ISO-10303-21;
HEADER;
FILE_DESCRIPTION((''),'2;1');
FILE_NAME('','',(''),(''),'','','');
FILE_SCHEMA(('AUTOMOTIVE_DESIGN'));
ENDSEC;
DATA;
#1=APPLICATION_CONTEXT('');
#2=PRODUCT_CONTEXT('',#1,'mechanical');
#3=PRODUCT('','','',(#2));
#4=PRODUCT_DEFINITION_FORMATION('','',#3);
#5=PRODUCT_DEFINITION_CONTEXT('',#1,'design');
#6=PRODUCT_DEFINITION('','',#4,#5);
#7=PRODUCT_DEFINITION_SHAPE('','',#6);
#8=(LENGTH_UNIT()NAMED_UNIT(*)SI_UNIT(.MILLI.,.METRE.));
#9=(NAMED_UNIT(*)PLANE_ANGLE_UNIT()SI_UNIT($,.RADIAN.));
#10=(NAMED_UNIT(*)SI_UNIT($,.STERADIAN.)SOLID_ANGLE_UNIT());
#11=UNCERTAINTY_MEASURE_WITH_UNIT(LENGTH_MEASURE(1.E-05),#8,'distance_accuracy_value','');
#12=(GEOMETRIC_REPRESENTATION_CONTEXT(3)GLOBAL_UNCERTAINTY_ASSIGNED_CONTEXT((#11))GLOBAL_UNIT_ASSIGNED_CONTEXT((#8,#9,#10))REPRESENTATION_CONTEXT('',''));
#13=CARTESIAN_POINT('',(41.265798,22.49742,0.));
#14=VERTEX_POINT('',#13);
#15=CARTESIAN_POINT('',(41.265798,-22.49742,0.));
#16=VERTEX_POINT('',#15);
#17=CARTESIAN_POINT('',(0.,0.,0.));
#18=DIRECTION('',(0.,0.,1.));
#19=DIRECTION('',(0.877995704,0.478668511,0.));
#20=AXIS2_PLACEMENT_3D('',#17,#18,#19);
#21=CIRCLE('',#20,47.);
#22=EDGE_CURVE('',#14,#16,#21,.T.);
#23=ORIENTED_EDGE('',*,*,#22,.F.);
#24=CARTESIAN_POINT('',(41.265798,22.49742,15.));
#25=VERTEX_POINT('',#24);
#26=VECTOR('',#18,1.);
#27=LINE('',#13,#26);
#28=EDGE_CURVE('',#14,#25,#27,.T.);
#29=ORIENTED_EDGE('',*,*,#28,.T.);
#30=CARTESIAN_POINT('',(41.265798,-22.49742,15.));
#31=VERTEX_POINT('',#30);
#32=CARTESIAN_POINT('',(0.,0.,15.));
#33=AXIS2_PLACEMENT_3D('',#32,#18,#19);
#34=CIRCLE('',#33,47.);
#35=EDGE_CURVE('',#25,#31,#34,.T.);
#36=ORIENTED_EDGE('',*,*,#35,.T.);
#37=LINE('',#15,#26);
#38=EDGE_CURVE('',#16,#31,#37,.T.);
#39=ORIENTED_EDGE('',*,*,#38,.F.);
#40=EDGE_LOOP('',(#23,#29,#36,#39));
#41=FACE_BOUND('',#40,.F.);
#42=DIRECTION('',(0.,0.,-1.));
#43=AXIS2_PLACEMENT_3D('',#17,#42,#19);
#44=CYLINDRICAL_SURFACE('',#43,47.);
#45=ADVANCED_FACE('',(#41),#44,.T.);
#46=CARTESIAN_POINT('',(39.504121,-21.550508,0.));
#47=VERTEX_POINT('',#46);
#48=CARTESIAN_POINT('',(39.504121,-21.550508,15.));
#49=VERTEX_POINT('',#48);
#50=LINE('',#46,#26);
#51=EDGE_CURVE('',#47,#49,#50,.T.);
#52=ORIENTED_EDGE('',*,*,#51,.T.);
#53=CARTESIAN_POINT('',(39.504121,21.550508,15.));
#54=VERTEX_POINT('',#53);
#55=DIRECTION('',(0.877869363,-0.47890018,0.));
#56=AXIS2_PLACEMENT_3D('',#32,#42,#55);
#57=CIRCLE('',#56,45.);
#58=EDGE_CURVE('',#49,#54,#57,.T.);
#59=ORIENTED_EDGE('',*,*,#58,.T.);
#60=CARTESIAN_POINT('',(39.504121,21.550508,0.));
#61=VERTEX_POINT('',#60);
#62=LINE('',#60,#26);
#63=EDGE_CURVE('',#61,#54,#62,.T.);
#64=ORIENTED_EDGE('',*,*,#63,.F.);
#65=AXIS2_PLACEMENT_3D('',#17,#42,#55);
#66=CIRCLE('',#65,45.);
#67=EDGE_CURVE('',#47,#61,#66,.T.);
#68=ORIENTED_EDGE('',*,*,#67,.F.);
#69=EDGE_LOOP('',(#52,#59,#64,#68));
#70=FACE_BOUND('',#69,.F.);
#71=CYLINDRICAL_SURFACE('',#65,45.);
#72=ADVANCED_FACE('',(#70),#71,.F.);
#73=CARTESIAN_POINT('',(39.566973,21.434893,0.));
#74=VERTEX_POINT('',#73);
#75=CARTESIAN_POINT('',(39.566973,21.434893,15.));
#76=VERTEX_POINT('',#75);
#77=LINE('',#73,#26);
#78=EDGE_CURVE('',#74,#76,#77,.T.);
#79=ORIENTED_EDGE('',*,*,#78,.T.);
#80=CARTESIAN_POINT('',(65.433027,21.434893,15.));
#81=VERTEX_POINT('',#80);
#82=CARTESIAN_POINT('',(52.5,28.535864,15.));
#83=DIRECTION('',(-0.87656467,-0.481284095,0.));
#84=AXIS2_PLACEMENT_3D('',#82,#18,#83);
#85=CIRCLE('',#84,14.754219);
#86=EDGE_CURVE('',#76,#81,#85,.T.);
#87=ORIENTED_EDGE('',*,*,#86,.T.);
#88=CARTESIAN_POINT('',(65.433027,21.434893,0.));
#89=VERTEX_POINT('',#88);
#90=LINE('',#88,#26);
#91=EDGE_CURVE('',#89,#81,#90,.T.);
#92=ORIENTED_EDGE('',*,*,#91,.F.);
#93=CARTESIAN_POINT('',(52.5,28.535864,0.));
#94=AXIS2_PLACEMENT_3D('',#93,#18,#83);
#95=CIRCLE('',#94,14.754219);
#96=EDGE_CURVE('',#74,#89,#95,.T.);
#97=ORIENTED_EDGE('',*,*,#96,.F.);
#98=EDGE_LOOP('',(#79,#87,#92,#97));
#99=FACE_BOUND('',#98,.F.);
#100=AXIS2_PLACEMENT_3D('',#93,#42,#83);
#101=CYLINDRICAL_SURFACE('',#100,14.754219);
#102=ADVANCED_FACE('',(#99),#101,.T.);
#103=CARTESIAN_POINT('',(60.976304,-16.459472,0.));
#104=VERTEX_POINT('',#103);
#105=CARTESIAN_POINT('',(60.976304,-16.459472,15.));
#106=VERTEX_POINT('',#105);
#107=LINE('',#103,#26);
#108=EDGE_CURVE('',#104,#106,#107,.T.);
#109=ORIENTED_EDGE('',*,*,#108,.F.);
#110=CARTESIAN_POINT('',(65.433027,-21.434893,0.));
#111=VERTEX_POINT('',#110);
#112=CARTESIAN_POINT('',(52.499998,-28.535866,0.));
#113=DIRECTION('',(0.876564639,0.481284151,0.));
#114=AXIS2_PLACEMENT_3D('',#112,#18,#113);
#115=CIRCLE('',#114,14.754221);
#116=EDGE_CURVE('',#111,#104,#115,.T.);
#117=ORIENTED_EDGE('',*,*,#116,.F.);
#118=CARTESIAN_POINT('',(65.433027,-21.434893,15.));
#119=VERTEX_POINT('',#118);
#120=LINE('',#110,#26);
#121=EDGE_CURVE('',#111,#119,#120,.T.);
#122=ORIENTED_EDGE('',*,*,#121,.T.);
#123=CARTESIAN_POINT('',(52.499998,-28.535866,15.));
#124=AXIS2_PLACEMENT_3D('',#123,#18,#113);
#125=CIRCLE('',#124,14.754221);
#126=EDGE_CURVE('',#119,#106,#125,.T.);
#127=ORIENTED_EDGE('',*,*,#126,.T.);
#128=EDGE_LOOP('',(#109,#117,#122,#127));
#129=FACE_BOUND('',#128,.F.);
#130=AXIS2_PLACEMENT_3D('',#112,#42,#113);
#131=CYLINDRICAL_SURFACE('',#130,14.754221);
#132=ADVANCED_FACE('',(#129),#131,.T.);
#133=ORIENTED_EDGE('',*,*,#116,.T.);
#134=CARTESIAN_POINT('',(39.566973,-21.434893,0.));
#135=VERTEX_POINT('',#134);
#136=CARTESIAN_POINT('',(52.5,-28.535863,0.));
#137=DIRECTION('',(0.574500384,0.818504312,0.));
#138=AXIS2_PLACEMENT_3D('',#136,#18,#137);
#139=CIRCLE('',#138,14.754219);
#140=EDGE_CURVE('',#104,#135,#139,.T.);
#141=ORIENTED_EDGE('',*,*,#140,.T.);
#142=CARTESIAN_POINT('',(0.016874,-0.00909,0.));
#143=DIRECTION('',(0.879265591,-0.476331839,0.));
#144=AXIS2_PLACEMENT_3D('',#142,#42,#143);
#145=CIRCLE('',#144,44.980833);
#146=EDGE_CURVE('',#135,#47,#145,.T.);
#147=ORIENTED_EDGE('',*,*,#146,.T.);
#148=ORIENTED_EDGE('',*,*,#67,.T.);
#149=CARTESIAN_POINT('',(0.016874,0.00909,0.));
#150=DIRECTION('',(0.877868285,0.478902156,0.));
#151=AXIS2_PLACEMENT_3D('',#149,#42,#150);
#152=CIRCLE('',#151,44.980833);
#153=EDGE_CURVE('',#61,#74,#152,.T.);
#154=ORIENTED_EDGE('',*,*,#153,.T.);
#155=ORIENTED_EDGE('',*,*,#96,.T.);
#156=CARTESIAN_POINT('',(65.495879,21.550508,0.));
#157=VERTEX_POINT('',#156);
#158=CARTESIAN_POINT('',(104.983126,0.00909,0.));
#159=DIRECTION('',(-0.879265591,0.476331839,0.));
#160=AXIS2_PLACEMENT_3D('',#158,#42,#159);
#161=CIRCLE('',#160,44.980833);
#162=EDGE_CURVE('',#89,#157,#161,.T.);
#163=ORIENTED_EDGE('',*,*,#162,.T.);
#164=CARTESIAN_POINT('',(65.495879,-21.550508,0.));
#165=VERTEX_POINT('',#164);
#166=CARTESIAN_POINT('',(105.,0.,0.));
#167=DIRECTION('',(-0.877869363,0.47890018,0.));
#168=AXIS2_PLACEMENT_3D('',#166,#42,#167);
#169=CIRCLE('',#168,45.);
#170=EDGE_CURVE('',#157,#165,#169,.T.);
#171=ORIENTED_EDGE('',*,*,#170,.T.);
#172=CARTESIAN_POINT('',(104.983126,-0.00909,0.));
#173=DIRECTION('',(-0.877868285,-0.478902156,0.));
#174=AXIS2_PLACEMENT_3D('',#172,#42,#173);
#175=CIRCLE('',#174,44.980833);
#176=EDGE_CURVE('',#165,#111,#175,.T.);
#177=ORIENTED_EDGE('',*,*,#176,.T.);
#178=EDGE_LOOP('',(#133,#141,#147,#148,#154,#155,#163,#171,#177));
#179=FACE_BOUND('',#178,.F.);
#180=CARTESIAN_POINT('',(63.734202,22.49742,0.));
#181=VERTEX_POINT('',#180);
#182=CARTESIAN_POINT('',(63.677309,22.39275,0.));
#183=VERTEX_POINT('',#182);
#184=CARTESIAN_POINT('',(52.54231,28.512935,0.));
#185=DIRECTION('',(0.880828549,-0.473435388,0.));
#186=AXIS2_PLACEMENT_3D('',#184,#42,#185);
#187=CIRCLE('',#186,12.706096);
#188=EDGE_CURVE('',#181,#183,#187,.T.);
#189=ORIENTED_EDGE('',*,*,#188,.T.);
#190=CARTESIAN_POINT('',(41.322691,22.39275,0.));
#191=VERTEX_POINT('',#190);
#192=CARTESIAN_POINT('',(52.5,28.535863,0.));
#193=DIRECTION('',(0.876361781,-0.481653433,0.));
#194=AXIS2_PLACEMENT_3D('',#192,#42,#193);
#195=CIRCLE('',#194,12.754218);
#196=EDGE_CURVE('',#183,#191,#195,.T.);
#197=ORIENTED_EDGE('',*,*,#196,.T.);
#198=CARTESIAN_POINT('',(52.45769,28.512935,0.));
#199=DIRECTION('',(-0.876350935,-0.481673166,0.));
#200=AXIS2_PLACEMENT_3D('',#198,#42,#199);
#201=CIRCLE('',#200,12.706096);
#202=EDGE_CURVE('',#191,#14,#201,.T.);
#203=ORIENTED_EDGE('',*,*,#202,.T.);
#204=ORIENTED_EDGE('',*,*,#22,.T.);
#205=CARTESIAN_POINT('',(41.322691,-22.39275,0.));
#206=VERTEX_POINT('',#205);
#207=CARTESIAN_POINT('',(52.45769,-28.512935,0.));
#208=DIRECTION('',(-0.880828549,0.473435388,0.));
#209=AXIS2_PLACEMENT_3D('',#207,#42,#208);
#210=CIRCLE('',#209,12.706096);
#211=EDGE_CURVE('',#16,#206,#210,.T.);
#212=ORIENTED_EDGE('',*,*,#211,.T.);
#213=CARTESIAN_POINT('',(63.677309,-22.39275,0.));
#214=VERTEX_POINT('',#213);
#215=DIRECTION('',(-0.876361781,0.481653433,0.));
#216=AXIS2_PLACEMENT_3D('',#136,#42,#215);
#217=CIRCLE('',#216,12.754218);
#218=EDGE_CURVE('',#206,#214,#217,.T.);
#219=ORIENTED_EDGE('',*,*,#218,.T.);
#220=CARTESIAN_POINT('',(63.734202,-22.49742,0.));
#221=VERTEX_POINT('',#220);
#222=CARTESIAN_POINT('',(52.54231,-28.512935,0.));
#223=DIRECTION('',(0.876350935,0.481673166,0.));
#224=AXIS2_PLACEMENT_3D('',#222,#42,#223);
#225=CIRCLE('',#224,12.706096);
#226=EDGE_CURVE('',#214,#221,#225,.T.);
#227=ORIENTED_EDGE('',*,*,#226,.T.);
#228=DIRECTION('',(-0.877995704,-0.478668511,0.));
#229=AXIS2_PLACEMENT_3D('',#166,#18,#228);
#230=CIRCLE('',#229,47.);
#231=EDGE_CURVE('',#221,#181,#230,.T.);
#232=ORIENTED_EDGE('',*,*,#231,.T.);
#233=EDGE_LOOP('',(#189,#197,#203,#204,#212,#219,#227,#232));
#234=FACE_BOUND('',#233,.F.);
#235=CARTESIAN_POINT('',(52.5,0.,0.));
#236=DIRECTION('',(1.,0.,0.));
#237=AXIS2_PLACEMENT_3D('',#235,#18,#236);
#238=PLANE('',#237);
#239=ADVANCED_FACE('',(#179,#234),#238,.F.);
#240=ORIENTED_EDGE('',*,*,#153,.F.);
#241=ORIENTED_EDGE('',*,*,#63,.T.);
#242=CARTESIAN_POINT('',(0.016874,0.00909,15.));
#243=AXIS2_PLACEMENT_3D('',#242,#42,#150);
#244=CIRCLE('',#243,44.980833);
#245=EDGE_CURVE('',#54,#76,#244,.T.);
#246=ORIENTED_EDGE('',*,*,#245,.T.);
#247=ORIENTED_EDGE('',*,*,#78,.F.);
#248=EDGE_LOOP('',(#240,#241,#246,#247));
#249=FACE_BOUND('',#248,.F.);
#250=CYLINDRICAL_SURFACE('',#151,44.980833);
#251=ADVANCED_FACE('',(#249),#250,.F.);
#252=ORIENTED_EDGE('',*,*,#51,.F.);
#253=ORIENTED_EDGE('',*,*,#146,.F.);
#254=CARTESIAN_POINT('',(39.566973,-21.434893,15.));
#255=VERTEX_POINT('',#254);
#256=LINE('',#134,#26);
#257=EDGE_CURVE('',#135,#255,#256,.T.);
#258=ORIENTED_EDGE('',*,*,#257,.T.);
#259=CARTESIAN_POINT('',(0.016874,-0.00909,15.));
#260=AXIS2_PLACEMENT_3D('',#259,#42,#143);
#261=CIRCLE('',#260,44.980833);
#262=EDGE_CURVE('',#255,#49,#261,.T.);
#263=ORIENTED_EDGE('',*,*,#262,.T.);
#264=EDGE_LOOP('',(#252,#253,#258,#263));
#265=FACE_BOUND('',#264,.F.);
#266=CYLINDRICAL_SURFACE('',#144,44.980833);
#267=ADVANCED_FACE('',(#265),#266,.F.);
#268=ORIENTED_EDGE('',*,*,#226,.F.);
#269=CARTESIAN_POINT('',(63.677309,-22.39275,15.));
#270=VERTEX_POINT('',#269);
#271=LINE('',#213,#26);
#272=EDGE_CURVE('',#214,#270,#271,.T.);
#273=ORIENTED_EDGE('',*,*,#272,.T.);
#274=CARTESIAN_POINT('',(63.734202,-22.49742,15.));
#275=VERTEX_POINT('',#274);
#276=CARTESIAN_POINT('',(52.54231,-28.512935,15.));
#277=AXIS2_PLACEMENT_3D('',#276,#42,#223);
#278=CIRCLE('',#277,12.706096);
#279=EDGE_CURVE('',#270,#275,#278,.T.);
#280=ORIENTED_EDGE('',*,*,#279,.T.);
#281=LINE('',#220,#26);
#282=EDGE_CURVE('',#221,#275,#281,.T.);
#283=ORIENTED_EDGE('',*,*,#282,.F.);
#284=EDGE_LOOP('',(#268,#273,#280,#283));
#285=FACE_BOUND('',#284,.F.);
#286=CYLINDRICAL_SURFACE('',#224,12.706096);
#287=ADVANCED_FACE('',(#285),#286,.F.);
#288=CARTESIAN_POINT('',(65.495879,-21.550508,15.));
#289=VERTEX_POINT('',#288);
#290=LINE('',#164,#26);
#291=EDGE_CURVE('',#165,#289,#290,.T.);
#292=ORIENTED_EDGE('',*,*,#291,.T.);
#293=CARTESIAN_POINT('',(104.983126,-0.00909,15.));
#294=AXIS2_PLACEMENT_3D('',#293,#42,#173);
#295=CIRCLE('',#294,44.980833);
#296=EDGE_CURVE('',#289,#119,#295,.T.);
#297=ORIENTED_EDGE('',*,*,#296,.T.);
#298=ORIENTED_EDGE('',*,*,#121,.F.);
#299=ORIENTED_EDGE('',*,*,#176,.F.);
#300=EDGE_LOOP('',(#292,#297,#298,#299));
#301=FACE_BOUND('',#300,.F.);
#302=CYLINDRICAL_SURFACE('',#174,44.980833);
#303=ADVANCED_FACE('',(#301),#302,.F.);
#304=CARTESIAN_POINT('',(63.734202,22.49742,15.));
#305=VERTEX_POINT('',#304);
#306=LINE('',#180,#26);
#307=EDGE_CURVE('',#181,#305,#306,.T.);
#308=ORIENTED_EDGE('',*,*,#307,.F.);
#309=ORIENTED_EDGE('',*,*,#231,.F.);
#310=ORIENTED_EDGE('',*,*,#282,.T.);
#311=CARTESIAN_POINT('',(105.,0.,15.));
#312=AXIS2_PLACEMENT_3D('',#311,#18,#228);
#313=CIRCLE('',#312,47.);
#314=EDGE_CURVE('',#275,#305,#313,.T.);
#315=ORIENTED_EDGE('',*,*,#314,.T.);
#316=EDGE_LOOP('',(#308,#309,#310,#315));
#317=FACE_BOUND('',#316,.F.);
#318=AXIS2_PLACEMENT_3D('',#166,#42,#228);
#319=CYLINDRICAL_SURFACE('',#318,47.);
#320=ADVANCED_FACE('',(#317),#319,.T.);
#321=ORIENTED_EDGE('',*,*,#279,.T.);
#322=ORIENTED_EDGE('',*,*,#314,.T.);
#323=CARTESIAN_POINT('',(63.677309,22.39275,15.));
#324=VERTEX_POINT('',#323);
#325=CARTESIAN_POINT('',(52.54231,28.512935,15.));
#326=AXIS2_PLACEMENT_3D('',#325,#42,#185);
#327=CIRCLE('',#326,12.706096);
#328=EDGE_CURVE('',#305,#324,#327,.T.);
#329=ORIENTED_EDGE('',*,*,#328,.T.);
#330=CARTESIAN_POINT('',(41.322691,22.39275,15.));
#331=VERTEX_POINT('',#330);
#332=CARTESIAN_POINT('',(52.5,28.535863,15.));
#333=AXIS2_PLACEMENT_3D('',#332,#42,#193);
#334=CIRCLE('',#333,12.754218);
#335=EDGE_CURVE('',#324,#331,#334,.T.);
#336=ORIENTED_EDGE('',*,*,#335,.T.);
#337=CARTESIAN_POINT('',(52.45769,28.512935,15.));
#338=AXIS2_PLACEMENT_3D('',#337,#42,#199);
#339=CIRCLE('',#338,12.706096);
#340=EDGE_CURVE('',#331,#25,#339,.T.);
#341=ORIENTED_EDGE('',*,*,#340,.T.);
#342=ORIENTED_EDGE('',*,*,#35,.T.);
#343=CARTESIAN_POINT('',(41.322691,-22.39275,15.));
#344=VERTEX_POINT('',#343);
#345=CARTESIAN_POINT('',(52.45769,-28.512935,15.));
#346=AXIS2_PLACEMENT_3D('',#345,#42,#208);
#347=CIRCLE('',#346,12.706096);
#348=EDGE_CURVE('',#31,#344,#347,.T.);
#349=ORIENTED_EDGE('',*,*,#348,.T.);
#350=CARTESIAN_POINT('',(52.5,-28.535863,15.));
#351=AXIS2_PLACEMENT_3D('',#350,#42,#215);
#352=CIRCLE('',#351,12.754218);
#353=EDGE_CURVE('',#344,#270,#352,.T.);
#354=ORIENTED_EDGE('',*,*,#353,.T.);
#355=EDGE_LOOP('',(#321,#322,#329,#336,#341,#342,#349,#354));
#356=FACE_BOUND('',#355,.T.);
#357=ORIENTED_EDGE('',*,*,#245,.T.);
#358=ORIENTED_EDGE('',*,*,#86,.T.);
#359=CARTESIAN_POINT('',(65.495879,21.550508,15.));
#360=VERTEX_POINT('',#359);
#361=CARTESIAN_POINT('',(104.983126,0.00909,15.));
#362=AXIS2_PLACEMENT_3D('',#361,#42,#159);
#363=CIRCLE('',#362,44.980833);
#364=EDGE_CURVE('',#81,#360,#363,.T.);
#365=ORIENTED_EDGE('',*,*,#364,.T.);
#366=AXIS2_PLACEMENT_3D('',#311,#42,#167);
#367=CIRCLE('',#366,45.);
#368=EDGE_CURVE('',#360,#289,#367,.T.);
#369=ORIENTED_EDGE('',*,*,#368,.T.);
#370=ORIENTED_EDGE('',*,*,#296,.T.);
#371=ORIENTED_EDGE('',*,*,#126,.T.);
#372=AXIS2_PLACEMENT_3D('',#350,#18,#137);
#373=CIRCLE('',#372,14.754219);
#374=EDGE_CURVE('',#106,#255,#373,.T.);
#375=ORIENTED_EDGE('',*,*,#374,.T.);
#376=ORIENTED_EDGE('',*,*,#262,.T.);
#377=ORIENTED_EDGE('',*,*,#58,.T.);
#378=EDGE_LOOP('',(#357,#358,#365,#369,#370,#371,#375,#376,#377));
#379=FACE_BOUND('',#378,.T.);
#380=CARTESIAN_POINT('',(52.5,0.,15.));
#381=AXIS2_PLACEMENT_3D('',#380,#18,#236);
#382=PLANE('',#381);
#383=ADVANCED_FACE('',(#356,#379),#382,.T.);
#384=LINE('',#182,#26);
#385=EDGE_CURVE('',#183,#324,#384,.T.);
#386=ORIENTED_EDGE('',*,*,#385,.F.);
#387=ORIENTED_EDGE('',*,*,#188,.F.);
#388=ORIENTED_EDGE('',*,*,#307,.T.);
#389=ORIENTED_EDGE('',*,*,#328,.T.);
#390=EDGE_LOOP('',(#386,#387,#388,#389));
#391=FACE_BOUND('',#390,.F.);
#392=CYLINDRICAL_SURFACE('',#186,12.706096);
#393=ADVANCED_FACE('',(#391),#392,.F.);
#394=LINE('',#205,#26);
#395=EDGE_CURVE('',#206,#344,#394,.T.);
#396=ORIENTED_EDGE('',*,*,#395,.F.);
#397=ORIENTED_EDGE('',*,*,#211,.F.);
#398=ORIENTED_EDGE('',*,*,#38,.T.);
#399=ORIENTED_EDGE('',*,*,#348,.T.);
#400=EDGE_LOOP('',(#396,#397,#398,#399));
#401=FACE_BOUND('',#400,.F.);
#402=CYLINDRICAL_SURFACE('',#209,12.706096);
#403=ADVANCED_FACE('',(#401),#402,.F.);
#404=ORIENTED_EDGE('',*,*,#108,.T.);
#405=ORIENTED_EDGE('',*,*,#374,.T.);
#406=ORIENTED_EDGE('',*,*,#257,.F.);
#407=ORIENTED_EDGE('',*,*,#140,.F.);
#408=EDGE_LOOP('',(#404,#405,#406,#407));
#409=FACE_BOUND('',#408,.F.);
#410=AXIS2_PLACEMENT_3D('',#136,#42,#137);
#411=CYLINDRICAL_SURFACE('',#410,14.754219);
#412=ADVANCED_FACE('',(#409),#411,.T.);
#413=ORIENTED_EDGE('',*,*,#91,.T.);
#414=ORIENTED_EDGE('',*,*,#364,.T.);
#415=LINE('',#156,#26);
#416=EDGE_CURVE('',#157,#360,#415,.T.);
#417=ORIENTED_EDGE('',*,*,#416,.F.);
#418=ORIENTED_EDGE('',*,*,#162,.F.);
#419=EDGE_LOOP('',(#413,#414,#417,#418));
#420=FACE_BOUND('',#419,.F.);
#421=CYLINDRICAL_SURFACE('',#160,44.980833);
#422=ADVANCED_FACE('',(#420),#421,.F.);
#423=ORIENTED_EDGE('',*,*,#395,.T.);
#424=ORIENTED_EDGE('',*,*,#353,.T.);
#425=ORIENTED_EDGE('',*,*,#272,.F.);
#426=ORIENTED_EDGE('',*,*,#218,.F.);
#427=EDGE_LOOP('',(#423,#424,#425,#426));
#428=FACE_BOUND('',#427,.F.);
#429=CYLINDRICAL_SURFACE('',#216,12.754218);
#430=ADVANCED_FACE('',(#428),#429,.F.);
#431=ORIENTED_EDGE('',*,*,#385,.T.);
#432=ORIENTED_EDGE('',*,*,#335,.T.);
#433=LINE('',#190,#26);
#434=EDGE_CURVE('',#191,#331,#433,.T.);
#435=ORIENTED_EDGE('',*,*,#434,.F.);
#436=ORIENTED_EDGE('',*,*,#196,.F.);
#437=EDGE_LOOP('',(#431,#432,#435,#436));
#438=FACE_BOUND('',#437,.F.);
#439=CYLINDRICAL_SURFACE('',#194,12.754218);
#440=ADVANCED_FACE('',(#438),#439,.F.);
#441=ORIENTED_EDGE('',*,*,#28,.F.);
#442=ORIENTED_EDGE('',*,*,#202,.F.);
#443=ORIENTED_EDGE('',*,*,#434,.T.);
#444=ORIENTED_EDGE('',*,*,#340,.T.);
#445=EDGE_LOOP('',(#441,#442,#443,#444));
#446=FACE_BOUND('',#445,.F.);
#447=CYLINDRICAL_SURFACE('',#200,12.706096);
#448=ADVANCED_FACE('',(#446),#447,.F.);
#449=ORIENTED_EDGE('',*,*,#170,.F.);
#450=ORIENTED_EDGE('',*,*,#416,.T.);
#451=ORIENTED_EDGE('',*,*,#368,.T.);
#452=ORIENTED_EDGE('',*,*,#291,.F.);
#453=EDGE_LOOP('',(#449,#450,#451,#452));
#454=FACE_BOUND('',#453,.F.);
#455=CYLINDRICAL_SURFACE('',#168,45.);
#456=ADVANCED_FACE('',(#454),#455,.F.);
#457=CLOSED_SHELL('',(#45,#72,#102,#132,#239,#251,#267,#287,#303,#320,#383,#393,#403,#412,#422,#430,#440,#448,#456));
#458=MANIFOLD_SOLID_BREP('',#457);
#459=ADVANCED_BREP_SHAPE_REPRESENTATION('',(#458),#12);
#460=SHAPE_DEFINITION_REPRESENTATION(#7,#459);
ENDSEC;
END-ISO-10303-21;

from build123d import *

# Parameters (mm, degrees)
F1_DEPTH = 15


with BuildPart() as f1:
    # F0 (on Top) → F1 (new body)
    with BuildSketch(Plane.XY):
        with BuildLine():
            ThreePointArc((41.322691, -22.39275), (52.5, -15.781645), (63.677309, -22.39275))
            ThreePointArc((63.677309, -22.39275), (63.705878, -22.445018), (63.734202, -22.49742))
            ThreePointArc((63.734202, -22.49742), (152, 0), (63.734202, 22.49742))
            ThreePointArc((63.734202, 22.49742), (63.705878, 22.445018), (63.677309, 22.39275))
            ThreePointArc((63.677309, 22.39275), (52.5, 15.781645), (41.322691, 22.39275))
            ThreePointArc((41.322691, 22.39275), (41.294122, 22.445018), (41.265798, 22.49742))
            ThreePointArc((41.265798, 22.49742), (-47, 0), (41.265798, -22.49742))
            ThreePointArc((41.265798, -22.49742), (41.294122, -22.445018), (41.322691, -22.39275))
        make_face()
        with BuildLine():
            ThreePointArc((39.504121, 21.550508), (39.535589, 21.492724), (39.566973, 21.434893))
            ThreePointArc((39.566973, 21.434893), (52.5, 13.781645), (65.433027, 21.434893))
            ThreePointArc((65.433027, 21.434893), (65.464411, 21.492724), (65.495879, 21.550508))
            ThreePointArc((65.495879, 21.550508), (150, 0), (65.495879, -21.550508))
            ThreePointArc((65.495879, -21.550508), (65.464411, -21.492724), (65.433027, -21.434893))
            ThreePointArc((65.433027, -21.434893), (63.48993, -18.691657), (60.976304, -16.459472))
            ThreePointArc((60.976304, -16.459472), (49.160195, -14.164619), (39.566973, -21.434893))
            ThreePointArc((39.566973, -21.434893), (39.535589, -21.492724), (39.504121, -21.550508))
            ThreePointArc((39.504121, -21.550508), (-45, 0), (39.504121, 21.550508))
        make_face(mode=Mode.SUBTRACT)
    extrude(amount=F1_DEPTH)


solid = f1.part
